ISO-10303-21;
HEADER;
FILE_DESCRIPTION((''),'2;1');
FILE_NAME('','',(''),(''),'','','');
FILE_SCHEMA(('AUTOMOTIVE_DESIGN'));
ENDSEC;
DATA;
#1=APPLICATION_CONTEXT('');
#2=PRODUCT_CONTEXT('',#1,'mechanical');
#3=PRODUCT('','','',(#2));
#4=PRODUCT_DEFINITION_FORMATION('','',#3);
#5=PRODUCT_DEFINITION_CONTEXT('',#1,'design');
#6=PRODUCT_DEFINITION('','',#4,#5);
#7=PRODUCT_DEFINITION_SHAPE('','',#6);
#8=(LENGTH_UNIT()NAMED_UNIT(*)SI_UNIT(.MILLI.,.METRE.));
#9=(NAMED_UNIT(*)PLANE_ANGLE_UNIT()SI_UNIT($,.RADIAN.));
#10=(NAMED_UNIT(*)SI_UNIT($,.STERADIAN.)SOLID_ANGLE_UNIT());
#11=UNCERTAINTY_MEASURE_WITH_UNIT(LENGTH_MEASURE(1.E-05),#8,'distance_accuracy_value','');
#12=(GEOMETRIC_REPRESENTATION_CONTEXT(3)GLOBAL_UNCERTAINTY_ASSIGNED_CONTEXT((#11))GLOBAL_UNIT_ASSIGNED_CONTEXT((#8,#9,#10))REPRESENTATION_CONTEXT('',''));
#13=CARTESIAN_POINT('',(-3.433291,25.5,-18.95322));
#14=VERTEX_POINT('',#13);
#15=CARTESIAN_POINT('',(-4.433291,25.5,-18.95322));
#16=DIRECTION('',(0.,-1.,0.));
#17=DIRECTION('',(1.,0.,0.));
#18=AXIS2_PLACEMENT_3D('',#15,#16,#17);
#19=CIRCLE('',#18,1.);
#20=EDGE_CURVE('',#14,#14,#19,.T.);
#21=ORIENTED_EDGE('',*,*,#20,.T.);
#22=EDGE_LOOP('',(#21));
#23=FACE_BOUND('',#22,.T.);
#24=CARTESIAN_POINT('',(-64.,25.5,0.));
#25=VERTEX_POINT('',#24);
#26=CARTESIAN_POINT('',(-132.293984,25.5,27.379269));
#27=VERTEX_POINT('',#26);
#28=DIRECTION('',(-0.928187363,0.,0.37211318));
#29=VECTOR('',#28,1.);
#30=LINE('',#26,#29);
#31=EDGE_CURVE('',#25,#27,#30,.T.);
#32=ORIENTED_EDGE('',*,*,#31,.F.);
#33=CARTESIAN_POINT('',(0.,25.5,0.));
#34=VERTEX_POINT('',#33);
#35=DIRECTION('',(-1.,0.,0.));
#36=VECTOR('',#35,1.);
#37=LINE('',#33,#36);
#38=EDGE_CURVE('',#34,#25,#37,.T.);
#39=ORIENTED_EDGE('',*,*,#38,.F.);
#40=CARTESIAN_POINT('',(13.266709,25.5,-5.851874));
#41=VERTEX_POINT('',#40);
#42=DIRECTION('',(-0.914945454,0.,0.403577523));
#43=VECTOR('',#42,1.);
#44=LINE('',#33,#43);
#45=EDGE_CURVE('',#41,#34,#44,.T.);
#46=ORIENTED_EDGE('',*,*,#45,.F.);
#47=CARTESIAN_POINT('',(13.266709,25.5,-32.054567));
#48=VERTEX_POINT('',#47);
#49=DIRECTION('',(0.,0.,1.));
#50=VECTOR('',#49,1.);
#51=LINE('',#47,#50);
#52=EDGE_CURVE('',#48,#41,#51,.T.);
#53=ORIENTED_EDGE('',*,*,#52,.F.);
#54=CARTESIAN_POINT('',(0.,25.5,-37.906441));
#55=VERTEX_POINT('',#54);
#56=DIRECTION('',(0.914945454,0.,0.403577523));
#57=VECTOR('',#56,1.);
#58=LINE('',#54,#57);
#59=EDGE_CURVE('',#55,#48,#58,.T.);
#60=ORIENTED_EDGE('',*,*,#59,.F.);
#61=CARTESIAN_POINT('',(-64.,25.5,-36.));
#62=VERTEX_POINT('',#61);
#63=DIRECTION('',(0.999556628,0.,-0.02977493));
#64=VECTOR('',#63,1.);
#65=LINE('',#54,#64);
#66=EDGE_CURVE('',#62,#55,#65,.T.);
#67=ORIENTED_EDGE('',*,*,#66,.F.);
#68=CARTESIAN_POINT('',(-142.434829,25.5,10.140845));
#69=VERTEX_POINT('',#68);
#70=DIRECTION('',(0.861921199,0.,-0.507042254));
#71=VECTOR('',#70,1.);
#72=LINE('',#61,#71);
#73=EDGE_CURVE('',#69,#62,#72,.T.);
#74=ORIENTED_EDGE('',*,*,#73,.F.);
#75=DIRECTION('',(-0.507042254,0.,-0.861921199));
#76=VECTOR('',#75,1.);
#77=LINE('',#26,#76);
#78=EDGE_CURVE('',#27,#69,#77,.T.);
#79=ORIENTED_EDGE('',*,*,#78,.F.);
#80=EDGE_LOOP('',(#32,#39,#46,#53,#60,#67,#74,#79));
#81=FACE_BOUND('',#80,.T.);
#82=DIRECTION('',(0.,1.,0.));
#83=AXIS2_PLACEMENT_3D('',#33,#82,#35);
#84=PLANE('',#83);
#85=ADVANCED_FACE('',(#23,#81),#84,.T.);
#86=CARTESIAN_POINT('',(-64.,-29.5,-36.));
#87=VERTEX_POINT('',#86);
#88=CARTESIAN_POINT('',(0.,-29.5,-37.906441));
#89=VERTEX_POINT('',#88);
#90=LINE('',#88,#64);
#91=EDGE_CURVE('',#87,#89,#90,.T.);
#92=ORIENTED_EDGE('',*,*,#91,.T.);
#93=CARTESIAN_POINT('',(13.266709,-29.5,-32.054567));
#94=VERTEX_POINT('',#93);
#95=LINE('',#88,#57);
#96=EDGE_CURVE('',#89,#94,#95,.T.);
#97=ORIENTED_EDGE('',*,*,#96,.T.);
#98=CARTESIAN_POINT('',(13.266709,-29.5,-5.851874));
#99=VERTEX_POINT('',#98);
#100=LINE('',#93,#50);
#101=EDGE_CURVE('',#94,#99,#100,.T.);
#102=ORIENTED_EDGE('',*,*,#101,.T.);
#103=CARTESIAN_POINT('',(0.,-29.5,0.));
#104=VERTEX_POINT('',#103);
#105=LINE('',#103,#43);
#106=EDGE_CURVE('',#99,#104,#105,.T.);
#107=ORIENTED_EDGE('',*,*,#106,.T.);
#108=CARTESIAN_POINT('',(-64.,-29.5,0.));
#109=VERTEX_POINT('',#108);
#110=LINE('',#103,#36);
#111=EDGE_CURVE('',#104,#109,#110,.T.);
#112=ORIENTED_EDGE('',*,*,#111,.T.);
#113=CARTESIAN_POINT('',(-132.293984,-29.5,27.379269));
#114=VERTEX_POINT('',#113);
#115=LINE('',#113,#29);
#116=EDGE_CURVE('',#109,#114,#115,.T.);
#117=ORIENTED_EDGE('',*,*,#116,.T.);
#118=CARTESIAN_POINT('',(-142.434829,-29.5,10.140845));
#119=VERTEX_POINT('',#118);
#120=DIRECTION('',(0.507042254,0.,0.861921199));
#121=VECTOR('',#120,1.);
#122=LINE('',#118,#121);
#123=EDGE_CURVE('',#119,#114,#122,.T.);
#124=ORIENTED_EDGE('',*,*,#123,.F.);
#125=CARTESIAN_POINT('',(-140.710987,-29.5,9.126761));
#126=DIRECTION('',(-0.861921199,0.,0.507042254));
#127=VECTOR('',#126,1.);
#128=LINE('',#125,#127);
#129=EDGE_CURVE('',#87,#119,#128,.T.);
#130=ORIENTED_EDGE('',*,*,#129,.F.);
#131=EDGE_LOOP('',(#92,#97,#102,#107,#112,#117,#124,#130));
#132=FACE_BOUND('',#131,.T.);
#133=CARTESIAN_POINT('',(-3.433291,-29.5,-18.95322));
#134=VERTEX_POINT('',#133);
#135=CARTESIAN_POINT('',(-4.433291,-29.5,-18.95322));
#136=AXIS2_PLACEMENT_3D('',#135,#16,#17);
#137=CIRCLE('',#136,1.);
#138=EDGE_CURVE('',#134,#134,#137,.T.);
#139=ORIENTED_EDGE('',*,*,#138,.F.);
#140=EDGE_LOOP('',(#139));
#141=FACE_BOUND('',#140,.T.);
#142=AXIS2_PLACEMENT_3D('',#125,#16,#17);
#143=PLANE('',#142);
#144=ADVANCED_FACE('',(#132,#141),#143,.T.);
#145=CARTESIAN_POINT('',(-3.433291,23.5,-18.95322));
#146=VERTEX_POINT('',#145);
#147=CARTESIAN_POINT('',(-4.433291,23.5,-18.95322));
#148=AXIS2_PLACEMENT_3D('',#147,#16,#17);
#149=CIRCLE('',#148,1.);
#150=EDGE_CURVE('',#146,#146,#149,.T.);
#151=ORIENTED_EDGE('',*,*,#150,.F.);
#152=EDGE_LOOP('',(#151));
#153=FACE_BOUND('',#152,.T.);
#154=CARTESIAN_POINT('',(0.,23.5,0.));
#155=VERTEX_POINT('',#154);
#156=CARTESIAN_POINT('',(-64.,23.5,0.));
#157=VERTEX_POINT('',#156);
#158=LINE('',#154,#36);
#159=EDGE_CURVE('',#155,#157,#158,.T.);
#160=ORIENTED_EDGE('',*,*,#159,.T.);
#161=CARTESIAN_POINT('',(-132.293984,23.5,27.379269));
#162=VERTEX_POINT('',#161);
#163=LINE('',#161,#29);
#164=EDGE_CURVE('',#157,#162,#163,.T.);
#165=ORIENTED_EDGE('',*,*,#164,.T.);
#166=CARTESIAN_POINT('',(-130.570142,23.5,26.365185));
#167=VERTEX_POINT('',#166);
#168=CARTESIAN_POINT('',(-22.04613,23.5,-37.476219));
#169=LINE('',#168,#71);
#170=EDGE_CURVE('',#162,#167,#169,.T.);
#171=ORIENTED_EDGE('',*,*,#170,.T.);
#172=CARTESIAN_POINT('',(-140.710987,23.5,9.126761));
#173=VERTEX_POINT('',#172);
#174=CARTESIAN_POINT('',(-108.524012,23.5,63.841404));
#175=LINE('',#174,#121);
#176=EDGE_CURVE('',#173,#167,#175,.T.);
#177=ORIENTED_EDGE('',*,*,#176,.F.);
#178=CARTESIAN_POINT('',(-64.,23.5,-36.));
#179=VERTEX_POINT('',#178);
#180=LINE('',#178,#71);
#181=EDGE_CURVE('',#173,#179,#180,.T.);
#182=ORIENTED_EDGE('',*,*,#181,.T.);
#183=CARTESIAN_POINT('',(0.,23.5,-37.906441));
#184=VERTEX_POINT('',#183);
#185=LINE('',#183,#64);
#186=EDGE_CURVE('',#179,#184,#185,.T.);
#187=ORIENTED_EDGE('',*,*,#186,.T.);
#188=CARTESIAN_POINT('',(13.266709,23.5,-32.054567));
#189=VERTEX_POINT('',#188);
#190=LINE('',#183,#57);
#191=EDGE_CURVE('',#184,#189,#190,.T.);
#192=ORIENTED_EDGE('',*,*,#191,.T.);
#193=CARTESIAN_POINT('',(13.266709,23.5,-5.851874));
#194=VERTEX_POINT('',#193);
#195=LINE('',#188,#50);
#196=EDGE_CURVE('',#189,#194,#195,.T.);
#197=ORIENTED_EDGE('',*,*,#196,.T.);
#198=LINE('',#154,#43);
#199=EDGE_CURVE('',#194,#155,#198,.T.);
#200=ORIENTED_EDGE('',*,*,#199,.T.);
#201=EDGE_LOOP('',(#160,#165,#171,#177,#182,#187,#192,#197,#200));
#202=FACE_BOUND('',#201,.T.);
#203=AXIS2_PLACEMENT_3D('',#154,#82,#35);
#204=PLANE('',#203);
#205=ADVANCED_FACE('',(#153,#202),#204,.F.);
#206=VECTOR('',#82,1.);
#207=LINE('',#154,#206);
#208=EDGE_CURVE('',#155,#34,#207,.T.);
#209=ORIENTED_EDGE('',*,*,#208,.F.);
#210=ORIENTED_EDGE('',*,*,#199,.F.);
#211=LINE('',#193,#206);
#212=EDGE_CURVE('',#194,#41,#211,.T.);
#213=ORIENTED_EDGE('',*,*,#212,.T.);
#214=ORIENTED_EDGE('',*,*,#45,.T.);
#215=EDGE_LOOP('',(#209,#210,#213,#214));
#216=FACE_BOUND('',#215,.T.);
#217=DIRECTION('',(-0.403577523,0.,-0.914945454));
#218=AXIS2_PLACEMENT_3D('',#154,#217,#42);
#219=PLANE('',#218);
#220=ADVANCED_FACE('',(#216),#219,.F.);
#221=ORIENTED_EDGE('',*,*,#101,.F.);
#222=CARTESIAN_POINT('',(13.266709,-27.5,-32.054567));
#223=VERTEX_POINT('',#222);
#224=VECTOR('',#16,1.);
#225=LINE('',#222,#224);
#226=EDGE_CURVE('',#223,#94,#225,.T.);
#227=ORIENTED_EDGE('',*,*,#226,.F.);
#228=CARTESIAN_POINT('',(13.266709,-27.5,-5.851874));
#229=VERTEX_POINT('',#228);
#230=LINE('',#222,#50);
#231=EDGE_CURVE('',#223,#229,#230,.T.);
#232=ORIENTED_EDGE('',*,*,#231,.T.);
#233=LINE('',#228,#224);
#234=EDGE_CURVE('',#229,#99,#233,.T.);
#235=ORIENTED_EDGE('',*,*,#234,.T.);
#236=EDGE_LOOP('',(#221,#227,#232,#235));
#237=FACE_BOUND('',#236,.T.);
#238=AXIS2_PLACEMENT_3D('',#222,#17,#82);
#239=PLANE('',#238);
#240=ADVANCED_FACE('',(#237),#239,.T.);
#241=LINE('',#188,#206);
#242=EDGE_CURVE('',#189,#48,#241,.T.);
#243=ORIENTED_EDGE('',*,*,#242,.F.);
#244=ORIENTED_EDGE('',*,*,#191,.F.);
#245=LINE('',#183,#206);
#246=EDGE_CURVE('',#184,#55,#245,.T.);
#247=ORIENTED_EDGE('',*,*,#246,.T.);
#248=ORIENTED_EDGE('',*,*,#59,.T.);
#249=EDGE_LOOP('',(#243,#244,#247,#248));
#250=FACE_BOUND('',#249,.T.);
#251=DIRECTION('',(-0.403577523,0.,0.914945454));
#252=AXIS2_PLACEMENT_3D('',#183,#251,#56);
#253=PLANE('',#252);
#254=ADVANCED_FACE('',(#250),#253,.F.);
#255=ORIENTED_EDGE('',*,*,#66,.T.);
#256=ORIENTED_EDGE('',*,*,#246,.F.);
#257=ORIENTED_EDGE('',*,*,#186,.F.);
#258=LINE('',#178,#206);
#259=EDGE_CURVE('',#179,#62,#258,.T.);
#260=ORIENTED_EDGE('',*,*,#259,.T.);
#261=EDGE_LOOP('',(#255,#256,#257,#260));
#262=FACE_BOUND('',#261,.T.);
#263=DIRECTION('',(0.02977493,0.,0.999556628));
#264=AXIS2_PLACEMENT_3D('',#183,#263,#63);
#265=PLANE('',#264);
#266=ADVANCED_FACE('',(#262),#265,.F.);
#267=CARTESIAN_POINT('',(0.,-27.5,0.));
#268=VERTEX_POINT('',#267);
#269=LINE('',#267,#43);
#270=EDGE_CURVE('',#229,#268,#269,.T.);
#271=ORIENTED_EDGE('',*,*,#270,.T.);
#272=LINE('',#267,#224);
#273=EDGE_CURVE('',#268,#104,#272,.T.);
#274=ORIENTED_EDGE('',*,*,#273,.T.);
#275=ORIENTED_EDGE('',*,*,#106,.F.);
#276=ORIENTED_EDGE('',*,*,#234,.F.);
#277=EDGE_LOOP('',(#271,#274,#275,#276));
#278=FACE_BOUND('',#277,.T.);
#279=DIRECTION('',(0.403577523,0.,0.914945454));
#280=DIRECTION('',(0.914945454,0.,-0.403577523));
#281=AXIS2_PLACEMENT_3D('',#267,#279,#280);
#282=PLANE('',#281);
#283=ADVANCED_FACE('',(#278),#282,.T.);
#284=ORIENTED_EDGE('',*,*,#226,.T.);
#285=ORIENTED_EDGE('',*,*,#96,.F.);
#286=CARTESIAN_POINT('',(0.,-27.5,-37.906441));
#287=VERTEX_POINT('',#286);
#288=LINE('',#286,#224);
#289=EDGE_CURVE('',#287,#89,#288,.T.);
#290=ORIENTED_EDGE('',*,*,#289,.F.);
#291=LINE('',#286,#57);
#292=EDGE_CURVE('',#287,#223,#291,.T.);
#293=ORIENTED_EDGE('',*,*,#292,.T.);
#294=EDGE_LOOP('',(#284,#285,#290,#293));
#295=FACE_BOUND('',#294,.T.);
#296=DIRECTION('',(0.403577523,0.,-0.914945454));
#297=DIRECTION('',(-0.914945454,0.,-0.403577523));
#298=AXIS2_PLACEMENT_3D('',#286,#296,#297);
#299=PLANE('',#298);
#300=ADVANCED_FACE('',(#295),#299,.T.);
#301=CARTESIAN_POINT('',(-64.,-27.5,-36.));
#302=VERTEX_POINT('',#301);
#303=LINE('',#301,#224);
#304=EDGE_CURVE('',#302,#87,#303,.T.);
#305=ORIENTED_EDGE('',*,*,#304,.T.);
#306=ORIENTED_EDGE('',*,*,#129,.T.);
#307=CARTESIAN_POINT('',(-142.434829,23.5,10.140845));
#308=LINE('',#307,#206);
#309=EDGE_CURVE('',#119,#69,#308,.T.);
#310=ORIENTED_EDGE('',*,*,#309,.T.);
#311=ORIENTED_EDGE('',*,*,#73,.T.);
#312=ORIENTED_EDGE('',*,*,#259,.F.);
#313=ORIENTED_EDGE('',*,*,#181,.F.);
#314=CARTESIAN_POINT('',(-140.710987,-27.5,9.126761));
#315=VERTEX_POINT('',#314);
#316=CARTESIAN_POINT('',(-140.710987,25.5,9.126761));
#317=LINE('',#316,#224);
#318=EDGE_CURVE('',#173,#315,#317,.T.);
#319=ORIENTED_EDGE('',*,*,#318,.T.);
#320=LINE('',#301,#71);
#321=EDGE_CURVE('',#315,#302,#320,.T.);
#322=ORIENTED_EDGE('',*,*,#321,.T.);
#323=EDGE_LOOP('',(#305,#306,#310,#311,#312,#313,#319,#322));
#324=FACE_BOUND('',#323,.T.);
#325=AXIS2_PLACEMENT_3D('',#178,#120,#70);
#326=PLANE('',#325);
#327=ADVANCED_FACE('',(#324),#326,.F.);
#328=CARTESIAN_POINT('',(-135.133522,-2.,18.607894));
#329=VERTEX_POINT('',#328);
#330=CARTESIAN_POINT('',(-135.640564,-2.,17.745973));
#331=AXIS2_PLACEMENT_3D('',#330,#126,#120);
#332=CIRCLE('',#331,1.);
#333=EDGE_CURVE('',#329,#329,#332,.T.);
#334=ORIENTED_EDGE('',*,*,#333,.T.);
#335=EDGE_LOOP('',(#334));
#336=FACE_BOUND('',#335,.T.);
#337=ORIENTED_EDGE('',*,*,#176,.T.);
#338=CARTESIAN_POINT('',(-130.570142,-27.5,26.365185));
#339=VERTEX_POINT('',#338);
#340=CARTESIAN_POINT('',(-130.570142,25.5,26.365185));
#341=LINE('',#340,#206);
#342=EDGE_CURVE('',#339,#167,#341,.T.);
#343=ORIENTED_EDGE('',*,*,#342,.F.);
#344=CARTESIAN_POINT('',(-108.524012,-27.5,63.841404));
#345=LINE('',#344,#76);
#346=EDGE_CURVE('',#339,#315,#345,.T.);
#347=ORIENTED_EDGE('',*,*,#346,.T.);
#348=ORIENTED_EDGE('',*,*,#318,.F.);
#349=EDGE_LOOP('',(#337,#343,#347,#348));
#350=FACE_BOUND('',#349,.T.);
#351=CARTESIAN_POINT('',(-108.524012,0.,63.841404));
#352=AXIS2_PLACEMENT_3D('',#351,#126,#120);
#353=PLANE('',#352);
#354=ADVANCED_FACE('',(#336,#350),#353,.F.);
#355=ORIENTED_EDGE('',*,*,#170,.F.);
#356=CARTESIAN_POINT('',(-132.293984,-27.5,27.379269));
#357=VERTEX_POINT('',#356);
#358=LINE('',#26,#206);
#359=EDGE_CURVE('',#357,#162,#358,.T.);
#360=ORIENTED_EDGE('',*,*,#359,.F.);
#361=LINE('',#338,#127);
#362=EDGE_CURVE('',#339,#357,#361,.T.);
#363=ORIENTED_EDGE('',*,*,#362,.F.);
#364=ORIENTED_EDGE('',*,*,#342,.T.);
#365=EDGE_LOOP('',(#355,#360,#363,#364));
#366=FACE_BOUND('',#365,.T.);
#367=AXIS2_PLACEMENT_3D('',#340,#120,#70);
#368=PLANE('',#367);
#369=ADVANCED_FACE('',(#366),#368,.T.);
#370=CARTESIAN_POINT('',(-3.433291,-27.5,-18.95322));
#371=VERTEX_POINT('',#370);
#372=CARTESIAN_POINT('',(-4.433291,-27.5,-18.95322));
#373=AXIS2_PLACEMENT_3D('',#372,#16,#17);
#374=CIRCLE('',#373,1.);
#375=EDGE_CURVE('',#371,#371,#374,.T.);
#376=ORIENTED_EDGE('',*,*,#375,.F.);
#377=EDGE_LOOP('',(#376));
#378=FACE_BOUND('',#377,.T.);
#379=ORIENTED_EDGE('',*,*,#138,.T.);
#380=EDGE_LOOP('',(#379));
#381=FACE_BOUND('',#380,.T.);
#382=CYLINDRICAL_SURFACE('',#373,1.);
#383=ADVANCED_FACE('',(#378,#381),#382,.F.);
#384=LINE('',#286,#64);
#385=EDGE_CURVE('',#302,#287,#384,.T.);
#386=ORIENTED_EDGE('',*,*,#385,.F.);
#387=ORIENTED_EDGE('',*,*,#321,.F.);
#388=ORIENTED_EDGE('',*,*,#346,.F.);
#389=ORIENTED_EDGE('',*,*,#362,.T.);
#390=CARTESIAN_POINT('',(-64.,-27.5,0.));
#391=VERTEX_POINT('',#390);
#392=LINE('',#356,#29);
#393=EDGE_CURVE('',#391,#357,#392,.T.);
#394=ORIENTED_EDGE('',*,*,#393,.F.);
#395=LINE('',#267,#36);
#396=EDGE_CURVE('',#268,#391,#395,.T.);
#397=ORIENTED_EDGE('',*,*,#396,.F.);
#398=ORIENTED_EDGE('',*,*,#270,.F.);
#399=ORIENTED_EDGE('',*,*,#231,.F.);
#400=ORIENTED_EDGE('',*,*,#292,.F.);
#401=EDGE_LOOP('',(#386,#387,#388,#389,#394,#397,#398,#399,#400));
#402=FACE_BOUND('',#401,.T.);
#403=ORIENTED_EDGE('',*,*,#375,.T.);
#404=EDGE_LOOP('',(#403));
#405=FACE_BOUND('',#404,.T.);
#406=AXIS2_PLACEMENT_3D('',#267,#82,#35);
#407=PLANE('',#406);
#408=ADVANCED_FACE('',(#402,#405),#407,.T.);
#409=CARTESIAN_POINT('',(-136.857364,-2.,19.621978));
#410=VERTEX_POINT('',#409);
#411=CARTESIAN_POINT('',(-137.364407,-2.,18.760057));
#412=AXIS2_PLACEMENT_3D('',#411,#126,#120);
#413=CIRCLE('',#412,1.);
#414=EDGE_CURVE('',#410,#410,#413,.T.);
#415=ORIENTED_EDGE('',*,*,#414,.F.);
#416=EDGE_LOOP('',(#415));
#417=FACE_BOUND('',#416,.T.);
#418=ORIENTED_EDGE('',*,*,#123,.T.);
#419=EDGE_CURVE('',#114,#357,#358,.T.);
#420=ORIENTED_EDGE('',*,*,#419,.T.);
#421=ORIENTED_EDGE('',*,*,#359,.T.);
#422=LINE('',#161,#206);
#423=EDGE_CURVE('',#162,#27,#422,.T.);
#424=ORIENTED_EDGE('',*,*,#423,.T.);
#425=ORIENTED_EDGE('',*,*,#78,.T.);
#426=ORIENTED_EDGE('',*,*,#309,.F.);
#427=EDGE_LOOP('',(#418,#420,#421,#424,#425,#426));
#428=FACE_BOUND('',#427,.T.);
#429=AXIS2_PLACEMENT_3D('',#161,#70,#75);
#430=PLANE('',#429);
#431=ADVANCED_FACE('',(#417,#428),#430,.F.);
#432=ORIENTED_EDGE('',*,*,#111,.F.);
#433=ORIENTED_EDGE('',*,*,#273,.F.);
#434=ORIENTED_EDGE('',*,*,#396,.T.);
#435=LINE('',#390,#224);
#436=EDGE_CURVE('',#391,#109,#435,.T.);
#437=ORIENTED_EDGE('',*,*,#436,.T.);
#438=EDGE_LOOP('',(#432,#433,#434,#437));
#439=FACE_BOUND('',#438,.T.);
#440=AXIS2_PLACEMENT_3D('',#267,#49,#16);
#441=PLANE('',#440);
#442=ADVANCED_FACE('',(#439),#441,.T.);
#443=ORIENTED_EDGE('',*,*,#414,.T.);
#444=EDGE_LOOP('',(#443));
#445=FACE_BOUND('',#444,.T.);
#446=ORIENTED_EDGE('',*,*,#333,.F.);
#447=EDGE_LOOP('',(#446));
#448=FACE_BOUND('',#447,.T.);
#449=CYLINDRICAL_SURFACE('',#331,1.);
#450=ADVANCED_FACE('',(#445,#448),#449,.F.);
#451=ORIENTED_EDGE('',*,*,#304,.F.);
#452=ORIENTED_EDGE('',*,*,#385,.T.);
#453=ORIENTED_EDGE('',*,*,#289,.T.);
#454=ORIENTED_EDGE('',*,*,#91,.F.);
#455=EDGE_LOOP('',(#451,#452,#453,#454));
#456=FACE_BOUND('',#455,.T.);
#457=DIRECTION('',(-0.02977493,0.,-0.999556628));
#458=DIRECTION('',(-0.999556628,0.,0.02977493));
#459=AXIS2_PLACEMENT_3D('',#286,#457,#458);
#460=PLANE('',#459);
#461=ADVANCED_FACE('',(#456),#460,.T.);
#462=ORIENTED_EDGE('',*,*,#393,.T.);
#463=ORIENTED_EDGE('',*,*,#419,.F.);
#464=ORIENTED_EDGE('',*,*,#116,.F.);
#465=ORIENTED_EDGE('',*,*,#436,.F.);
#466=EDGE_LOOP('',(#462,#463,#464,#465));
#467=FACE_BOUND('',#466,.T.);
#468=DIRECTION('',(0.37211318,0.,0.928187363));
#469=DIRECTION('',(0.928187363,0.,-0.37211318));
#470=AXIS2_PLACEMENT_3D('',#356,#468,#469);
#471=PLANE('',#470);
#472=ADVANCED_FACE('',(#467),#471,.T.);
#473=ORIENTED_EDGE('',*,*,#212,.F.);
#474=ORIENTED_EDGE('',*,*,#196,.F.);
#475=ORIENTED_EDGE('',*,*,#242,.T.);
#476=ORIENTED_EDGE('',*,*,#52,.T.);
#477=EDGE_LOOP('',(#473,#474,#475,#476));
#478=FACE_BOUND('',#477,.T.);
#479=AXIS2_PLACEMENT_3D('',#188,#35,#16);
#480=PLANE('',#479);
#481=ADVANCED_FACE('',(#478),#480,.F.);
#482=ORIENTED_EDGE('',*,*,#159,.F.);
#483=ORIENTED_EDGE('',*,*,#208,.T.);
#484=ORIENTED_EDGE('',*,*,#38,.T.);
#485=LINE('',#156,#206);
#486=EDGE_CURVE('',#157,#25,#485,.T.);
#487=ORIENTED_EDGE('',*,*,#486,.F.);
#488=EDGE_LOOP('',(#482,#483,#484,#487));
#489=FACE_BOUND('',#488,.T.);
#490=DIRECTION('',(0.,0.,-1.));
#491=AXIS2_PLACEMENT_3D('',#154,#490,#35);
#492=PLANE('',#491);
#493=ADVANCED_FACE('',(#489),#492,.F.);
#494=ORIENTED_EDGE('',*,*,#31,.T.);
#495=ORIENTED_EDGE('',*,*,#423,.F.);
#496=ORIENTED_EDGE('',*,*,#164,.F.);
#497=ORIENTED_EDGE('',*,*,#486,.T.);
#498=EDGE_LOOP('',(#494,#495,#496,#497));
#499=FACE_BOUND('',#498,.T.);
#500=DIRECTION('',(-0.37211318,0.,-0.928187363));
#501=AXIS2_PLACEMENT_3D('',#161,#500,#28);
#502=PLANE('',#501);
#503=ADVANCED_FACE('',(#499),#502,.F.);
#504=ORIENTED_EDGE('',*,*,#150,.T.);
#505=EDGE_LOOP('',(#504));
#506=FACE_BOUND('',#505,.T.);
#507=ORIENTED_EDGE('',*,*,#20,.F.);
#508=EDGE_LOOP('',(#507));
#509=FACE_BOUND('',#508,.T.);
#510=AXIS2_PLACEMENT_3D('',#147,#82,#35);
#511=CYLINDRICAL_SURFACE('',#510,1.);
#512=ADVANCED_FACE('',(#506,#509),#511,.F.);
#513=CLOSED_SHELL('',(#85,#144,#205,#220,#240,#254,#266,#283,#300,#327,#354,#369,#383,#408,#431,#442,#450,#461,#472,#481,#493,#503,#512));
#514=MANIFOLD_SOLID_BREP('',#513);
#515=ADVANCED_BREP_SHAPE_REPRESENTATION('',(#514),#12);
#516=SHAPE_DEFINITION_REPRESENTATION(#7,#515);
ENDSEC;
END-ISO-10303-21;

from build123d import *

# Parameters (mm, degrees)
EXTRUDE_3_DEPTH     = 2
SKETCH_5_R          = 1
CUT_EXTRUDE_3_DEPTH = 2
SKETCH_6_W          = 20
SKETCH_6_H          = 55
EXTRUDE_4_DEPTH     = 2
EXTRUDE_5_DEPTH     = 2
SKETCH_9_R          = 1
CUT_EXTRUDE_4_DEPTH = 2
SKETCH_10_R         = 1
CUT_EXTRUDE_5_DEPTH = 2


with BuildPart() as part:
    # 草图3 → 凸台-拉伸3 (new body)
    with BuildSketch(Plane(origin=(0, 25.5, 0), x_dir=(-1, 0, 0), z_dir=(0, -1, 0))):
        Polygon((0, 37.906440796), (-13.266709079, 32.054566719), (-13.266709079, 5.851874077), (0, 0), (64, 0), (132.293984031, -27.379269049), (142.434829102, -10.14084507), (64, 36), align=None)
    extrude(amount=EXTRUDE_3_DEPTH)

    # 草图5 → 切除-拉伸3 (cut)
    with BuildSketch(Plane(origin=(0, 25.5, 0), x_dir=(-1, 0, 0), z_dir=(0, -1, 0))):
        with Locations((4.433290921, 18.953220398)):
            Circle(SKETCH_5_R)
    extrude(amount=CUT_EXTRUDE_3_DEPTH, mode=Mode.SUBTRACT)

    # 草图6 → 凸台-拉伸4 (add)
    with BuildSketch(Plane(origin=(-110.247854089, 0, 64.855488475), x_dir=(0.507042254, 0, 0.861921199), z_dir=(-0.861921199, 0, 0.507042254))):
        with Locations((-53.479867386, -2)):
            Rectangle(SKETCH_6_W, SKETCH_6_H)
    extrude(amount=-EXTRUDE_4_DEPTH)

    # 草图8 → 凸台-拉伸5 (add)
    with BuildSketch(Plane.XZ.offset(29.5)):
        Polygon((0, 0), (-64, 0), (-132.293984031, 27.379269049), (-142.434829102, 10.14084507), (-64, -36), (0, -37.906440796), (13.266709079, -32.054566719), (13.266709079, -5.851874077), align=None)
    extrude(amount=-EXTRUDE_5_DEPTH)

    # 草图9 → 切除-拉伸4 (cut)
    with BuildSketch(Plane.XZ.offset(29.5)):
        with Locations((-4.433290921, -18.953220398)):
            Circle(SKETCH_9_R)
    extrude(amount=-CUT_EXTRUDE_4_DEPTH, mode=Mode.SUBTRACT)

    # 草图10 → 切除-拉伸5 (cut)
    with BuildSketch(Plane(origin=(-110.247854089, 0, 64.855488475), x_dir=(0.507042254, 0, 0.861921199), z_dir=(-0.861921199, 0, 0.507042254))):
        with Locations((-53.479867386, -2)):
            Circle(SKETCH_10_R)
    extrude(amount=-CUT_EXTRUDE_5_DEPTH, mode=Mode.SUBTRACT)


solid = part.part
